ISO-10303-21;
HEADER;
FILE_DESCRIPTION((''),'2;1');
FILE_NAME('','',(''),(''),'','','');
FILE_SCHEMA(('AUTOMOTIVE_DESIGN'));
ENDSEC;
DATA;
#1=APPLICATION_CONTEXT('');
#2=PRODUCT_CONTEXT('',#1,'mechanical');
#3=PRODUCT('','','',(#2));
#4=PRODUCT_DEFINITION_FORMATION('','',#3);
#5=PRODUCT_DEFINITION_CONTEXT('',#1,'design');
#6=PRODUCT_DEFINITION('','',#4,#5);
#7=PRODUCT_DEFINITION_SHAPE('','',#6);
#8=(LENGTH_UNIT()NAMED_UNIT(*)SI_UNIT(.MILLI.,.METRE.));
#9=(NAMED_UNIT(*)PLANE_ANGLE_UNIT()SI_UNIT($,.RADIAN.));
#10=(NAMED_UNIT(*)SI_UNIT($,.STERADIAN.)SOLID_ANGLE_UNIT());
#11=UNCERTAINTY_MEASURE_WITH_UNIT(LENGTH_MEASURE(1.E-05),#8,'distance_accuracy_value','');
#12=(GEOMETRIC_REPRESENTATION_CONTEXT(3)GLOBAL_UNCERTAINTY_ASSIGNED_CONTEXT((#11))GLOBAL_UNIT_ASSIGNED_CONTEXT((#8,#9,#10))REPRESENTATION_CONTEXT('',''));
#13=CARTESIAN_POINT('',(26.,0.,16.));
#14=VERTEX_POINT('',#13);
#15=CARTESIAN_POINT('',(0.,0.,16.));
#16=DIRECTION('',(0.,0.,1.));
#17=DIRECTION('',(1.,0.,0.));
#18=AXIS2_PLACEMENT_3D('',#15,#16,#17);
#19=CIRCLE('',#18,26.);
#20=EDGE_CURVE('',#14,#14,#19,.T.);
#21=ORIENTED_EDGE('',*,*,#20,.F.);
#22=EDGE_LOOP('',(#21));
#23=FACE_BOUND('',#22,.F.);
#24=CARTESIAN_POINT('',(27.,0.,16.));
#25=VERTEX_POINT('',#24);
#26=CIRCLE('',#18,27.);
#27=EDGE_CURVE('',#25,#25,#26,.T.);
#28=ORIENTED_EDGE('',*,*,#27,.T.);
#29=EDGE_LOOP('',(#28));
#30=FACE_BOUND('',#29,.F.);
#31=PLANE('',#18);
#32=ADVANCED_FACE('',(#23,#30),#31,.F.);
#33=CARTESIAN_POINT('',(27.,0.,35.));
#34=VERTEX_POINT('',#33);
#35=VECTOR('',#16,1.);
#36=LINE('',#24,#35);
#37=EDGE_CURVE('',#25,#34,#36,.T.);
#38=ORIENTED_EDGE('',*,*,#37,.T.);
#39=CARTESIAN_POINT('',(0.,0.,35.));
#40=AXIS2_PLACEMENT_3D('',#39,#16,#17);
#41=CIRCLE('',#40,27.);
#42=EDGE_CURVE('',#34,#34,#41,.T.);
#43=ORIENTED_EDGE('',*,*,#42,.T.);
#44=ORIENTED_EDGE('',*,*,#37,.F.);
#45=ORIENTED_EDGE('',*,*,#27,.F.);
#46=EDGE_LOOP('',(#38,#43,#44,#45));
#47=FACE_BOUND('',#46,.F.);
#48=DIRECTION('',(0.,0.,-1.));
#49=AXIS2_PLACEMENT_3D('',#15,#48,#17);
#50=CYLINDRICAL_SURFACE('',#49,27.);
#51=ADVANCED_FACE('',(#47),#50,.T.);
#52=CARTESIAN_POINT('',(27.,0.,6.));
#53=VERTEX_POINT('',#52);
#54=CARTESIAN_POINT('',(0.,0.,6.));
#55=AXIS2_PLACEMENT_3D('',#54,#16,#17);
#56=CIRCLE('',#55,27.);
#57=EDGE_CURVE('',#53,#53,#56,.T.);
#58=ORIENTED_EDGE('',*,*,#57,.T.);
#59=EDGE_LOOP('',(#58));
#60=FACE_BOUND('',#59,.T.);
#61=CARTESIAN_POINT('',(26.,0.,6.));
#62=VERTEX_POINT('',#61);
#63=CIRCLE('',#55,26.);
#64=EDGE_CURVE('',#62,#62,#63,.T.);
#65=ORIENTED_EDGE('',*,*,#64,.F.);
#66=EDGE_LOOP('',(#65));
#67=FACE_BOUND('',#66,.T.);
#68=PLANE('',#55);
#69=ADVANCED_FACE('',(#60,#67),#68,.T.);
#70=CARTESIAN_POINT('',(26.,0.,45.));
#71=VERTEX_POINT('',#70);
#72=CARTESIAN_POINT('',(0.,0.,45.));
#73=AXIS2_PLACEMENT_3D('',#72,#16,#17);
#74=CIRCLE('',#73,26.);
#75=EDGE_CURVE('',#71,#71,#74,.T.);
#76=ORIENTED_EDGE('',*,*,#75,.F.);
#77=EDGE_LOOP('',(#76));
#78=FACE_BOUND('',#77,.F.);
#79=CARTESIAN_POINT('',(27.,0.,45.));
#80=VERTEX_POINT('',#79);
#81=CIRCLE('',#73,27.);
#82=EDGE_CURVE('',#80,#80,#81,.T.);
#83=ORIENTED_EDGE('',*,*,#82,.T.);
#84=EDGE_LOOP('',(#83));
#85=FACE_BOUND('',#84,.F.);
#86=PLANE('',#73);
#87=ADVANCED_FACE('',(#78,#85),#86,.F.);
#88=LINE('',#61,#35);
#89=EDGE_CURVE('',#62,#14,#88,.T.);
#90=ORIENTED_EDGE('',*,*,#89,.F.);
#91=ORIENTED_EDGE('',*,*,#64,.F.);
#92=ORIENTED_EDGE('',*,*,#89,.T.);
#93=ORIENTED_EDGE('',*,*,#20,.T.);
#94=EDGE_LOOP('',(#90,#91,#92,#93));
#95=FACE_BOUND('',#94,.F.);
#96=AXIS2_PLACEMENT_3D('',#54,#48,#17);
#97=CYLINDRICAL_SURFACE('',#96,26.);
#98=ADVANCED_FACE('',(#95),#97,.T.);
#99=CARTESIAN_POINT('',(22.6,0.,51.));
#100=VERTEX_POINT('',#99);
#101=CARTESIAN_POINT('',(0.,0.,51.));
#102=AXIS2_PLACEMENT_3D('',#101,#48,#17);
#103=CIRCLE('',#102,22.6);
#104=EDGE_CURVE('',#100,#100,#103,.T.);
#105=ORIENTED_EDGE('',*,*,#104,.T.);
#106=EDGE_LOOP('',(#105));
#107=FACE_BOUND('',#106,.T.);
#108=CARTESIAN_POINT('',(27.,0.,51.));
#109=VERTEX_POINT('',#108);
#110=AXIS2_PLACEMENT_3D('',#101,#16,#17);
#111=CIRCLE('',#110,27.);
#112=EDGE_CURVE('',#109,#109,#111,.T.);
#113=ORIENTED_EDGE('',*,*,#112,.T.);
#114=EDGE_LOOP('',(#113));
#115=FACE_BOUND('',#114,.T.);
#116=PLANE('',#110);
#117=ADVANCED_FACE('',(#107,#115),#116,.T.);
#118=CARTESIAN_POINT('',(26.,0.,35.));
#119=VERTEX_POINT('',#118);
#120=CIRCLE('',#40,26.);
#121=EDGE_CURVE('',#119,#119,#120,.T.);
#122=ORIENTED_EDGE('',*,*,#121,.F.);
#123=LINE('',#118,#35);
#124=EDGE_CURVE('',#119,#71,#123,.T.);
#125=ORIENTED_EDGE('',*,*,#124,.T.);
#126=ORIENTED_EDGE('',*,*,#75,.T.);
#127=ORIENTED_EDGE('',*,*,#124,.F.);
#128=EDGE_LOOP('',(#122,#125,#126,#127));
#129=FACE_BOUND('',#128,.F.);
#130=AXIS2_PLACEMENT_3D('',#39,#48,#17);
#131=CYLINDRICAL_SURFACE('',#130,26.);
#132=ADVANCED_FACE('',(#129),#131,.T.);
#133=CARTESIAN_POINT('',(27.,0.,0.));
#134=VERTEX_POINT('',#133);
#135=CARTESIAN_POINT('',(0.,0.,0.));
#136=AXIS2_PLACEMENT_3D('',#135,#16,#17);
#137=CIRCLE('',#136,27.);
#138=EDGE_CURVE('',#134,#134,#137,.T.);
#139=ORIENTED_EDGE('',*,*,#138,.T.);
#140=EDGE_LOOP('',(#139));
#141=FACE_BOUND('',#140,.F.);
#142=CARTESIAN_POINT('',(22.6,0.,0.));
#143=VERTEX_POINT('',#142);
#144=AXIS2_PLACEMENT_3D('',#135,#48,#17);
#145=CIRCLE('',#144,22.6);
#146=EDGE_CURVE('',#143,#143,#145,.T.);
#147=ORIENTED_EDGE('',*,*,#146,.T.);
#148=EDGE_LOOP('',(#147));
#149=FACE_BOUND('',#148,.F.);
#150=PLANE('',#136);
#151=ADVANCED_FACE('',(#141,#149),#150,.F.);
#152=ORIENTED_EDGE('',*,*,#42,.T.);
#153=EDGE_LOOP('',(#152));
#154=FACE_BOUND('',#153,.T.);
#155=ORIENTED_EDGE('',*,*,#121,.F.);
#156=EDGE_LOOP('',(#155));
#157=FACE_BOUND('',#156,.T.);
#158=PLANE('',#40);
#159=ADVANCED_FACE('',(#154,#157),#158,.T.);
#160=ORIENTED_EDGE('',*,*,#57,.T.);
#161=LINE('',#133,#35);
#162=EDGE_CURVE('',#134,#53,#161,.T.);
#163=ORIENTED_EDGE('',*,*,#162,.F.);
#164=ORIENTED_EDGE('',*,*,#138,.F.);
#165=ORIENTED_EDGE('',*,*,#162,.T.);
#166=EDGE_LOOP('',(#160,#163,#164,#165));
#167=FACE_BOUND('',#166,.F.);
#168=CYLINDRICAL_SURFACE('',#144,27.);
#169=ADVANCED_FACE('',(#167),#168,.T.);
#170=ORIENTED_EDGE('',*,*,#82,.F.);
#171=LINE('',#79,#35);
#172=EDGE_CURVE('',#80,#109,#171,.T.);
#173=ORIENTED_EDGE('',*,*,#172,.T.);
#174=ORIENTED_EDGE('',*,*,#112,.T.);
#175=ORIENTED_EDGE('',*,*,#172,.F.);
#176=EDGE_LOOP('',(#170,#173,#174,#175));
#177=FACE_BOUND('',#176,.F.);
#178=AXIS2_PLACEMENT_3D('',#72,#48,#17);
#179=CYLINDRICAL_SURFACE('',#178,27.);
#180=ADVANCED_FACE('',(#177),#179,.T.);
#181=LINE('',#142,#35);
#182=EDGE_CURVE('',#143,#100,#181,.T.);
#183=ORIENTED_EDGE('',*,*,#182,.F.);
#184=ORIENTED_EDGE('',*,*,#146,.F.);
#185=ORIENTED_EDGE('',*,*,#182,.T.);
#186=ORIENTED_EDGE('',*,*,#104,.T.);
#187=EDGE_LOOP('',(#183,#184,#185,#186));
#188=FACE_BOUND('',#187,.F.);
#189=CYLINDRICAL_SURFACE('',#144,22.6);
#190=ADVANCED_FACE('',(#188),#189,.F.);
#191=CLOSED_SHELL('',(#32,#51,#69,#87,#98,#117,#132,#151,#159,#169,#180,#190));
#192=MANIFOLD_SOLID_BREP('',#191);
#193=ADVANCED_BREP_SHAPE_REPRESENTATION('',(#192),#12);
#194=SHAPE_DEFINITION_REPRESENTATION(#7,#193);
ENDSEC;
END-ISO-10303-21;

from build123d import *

# Parameters (mm, degrees)
F0_R      = 27
F1_DEPTH  = 6
F2_R      = 26
F3_DEPTH  = 10
F4_R      = 27
F5_DEPTH  = 19
F6_R      = 26
F7_DEPTH  = 10
F8_R      = 27
F9_DEPTH  = 6
F10_R     = 22.6
F11_DEPTH = 51.001


with BuildPart() as f1:
    # F0 (on Top) → F1 (new body)
    with BuildSketch(Plane.XY):
        Circle(F0_R)
    extrude(amount=F1_DEPTH)

    # F2 (on face) → F3 (join)
    with BuildSketch(Plane.XY.offset(6)):
        Circle(F2_R)
    extrude(amount=F3_DEPTH)

    # F4 (on face) → F5 (join)
    with BuildSketch(Plane.XY.offset(16)):
        Circle(F4_R)
    extrude(amount=F5_DEPTH)

    # F6 (on face) → F7 (join)
    with BuildSketch(Plane.XY.offset(35)):
        Circle(F6_R)
    extrude(amount=F7_DEPTH)

    # F8 (on face) → F9 (join)
    with BuildSketch(Plane.XY.offset(45)):
        Circle(F8_R)
    extrude(amount=F9_DEPTH)

    # F10 (on face) → F11 (cut, through all)
    with BuildSketch(Plane(origin=(0, 0, 0), x_dir=(1, 0, 0), z_dir=(0, 0, -1))):
        Circle(F10_R)
    extrude(amount=-F11_DEPTH, mode=Mode.SUBTRACT)


solid = f1.part
